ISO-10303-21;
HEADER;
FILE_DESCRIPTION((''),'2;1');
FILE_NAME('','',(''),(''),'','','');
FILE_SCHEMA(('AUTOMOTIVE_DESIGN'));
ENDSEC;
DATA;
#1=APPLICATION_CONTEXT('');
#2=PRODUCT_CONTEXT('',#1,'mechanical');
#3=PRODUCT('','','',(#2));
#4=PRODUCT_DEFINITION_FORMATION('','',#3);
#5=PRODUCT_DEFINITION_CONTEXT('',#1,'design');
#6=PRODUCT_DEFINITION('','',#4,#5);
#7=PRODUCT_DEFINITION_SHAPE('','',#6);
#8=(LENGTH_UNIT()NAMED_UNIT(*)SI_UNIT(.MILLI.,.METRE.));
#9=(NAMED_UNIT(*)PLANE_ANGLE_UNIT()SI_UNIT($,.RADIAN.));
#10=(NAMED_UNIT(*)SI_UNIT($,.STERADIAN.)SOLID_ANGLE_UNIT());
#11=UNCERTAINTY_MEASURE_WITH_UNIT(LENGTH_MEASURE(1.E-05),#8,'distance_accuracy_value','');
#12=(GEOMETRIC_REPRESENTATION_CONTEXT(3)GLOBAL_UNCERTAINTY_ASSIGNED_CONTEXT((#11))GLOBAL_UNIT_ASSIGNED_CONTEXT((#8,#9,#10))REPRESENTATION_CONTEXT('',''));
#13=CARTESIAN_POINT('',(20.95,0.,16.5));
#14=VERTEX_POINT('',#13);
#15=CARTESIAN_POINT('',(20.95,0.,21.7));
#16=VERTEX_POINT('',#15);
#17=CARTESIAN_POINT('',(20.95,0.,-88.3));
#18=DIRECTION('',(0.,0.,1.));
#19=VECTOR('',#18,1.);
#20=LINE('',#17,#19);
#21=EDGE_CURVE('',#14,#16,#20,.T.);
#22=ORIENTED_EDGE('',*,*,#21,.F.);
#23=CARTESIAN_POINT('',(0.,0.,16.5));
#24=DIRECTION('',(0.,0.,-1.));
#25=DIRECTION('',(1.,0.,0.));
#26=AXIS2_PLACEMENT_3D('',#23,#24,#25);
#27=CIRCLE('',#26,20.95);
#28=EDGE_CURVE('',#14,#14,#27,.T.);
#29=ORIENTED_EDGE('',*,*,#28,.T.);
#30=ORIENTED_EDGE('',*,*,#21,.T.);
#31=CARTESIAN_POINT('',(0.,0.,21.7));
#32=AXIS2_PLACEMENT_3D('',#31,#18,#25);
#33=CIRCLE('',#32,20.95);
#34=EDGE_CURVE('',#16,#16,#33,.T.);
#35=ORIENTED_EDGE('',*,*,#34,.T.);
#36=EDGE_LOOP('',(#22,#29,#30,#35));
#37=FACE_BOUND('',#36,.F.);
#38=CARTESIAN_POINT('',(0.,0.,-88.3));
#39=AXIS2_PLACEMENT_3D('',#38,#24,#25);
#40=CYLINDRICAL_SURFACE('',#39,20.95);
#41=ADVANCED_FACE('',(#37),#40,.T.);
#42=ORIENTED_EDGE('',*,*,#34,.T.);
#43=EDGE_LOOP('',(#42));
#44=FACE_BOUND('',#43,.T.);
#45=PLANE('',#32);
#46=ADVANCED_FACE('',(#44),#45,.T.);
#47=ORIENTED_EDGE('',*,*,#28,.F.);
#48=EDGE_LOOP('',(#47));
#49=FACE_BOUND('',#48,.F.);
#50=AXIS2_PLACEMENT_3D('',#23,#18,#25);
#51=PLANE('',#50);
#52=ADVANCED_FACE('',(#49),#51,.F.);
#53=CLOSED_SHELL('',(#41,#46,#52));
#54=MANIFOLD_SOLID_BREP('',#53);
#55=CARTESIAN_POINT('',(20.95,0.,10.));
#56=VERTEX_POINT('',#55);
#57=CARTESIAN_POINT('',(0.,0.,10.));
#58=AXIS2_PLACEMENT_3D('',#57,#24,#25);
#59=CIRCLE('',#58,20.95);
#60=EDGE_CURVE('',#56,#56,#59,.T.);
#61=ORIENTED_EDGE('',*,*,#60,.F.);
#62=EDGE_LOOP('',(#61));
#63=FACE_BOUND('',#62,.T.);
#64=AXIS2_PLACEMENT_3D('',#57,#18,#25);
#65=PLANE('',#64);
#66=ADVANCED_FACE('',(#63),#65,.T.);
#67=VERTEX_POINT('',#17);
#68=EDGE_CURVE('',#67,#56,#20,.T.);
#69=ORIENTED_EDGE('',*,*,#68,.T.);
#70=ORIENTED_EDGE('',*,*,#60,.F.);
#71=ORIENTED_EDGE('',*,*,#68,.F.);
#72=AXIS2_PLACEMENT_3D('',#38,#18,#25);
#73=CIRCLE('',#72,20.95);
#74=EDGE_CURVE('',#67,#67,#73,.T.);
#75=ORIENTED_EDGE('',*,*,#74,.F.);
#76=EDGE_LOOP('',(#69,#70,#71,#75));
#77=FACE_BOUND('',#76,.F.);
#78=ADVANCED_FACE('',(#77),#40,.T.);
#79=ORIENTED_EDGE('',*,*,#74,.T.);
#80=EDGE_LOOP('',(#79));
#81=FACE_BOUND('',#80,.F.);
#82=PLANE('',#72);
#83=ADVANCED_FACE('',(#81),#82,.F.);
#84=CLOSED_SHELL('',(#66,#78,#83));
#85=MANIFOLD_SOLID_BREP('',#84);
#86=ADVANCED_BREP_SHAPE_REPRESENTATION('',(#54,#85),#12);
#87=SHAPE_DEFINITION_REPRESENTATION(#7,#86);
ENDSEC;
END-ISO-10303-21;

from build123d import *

# Parameters (mm, degrees)
F1_R     = 20.95
F2_DEPTH = 110
F7_R     = 22.5
F8_DEPTH = 6.5


with BuildPart() as f2:
    # F1 (on offset) → F2 (new body)
    with BuildSketch(Plane.XY.offset(-88.3)):
        Circle(F1_R)
    extrude(amount=F2_DEPTH)

    # F7 (on offset) → F8 (cut)
    with BuildSketch(Plane.XY.offset(10)):
        Circle(F7_R)
    extrude(amount=F8_DEPTH, mode=Mode.SUBTRACT)


solid = f2.part
